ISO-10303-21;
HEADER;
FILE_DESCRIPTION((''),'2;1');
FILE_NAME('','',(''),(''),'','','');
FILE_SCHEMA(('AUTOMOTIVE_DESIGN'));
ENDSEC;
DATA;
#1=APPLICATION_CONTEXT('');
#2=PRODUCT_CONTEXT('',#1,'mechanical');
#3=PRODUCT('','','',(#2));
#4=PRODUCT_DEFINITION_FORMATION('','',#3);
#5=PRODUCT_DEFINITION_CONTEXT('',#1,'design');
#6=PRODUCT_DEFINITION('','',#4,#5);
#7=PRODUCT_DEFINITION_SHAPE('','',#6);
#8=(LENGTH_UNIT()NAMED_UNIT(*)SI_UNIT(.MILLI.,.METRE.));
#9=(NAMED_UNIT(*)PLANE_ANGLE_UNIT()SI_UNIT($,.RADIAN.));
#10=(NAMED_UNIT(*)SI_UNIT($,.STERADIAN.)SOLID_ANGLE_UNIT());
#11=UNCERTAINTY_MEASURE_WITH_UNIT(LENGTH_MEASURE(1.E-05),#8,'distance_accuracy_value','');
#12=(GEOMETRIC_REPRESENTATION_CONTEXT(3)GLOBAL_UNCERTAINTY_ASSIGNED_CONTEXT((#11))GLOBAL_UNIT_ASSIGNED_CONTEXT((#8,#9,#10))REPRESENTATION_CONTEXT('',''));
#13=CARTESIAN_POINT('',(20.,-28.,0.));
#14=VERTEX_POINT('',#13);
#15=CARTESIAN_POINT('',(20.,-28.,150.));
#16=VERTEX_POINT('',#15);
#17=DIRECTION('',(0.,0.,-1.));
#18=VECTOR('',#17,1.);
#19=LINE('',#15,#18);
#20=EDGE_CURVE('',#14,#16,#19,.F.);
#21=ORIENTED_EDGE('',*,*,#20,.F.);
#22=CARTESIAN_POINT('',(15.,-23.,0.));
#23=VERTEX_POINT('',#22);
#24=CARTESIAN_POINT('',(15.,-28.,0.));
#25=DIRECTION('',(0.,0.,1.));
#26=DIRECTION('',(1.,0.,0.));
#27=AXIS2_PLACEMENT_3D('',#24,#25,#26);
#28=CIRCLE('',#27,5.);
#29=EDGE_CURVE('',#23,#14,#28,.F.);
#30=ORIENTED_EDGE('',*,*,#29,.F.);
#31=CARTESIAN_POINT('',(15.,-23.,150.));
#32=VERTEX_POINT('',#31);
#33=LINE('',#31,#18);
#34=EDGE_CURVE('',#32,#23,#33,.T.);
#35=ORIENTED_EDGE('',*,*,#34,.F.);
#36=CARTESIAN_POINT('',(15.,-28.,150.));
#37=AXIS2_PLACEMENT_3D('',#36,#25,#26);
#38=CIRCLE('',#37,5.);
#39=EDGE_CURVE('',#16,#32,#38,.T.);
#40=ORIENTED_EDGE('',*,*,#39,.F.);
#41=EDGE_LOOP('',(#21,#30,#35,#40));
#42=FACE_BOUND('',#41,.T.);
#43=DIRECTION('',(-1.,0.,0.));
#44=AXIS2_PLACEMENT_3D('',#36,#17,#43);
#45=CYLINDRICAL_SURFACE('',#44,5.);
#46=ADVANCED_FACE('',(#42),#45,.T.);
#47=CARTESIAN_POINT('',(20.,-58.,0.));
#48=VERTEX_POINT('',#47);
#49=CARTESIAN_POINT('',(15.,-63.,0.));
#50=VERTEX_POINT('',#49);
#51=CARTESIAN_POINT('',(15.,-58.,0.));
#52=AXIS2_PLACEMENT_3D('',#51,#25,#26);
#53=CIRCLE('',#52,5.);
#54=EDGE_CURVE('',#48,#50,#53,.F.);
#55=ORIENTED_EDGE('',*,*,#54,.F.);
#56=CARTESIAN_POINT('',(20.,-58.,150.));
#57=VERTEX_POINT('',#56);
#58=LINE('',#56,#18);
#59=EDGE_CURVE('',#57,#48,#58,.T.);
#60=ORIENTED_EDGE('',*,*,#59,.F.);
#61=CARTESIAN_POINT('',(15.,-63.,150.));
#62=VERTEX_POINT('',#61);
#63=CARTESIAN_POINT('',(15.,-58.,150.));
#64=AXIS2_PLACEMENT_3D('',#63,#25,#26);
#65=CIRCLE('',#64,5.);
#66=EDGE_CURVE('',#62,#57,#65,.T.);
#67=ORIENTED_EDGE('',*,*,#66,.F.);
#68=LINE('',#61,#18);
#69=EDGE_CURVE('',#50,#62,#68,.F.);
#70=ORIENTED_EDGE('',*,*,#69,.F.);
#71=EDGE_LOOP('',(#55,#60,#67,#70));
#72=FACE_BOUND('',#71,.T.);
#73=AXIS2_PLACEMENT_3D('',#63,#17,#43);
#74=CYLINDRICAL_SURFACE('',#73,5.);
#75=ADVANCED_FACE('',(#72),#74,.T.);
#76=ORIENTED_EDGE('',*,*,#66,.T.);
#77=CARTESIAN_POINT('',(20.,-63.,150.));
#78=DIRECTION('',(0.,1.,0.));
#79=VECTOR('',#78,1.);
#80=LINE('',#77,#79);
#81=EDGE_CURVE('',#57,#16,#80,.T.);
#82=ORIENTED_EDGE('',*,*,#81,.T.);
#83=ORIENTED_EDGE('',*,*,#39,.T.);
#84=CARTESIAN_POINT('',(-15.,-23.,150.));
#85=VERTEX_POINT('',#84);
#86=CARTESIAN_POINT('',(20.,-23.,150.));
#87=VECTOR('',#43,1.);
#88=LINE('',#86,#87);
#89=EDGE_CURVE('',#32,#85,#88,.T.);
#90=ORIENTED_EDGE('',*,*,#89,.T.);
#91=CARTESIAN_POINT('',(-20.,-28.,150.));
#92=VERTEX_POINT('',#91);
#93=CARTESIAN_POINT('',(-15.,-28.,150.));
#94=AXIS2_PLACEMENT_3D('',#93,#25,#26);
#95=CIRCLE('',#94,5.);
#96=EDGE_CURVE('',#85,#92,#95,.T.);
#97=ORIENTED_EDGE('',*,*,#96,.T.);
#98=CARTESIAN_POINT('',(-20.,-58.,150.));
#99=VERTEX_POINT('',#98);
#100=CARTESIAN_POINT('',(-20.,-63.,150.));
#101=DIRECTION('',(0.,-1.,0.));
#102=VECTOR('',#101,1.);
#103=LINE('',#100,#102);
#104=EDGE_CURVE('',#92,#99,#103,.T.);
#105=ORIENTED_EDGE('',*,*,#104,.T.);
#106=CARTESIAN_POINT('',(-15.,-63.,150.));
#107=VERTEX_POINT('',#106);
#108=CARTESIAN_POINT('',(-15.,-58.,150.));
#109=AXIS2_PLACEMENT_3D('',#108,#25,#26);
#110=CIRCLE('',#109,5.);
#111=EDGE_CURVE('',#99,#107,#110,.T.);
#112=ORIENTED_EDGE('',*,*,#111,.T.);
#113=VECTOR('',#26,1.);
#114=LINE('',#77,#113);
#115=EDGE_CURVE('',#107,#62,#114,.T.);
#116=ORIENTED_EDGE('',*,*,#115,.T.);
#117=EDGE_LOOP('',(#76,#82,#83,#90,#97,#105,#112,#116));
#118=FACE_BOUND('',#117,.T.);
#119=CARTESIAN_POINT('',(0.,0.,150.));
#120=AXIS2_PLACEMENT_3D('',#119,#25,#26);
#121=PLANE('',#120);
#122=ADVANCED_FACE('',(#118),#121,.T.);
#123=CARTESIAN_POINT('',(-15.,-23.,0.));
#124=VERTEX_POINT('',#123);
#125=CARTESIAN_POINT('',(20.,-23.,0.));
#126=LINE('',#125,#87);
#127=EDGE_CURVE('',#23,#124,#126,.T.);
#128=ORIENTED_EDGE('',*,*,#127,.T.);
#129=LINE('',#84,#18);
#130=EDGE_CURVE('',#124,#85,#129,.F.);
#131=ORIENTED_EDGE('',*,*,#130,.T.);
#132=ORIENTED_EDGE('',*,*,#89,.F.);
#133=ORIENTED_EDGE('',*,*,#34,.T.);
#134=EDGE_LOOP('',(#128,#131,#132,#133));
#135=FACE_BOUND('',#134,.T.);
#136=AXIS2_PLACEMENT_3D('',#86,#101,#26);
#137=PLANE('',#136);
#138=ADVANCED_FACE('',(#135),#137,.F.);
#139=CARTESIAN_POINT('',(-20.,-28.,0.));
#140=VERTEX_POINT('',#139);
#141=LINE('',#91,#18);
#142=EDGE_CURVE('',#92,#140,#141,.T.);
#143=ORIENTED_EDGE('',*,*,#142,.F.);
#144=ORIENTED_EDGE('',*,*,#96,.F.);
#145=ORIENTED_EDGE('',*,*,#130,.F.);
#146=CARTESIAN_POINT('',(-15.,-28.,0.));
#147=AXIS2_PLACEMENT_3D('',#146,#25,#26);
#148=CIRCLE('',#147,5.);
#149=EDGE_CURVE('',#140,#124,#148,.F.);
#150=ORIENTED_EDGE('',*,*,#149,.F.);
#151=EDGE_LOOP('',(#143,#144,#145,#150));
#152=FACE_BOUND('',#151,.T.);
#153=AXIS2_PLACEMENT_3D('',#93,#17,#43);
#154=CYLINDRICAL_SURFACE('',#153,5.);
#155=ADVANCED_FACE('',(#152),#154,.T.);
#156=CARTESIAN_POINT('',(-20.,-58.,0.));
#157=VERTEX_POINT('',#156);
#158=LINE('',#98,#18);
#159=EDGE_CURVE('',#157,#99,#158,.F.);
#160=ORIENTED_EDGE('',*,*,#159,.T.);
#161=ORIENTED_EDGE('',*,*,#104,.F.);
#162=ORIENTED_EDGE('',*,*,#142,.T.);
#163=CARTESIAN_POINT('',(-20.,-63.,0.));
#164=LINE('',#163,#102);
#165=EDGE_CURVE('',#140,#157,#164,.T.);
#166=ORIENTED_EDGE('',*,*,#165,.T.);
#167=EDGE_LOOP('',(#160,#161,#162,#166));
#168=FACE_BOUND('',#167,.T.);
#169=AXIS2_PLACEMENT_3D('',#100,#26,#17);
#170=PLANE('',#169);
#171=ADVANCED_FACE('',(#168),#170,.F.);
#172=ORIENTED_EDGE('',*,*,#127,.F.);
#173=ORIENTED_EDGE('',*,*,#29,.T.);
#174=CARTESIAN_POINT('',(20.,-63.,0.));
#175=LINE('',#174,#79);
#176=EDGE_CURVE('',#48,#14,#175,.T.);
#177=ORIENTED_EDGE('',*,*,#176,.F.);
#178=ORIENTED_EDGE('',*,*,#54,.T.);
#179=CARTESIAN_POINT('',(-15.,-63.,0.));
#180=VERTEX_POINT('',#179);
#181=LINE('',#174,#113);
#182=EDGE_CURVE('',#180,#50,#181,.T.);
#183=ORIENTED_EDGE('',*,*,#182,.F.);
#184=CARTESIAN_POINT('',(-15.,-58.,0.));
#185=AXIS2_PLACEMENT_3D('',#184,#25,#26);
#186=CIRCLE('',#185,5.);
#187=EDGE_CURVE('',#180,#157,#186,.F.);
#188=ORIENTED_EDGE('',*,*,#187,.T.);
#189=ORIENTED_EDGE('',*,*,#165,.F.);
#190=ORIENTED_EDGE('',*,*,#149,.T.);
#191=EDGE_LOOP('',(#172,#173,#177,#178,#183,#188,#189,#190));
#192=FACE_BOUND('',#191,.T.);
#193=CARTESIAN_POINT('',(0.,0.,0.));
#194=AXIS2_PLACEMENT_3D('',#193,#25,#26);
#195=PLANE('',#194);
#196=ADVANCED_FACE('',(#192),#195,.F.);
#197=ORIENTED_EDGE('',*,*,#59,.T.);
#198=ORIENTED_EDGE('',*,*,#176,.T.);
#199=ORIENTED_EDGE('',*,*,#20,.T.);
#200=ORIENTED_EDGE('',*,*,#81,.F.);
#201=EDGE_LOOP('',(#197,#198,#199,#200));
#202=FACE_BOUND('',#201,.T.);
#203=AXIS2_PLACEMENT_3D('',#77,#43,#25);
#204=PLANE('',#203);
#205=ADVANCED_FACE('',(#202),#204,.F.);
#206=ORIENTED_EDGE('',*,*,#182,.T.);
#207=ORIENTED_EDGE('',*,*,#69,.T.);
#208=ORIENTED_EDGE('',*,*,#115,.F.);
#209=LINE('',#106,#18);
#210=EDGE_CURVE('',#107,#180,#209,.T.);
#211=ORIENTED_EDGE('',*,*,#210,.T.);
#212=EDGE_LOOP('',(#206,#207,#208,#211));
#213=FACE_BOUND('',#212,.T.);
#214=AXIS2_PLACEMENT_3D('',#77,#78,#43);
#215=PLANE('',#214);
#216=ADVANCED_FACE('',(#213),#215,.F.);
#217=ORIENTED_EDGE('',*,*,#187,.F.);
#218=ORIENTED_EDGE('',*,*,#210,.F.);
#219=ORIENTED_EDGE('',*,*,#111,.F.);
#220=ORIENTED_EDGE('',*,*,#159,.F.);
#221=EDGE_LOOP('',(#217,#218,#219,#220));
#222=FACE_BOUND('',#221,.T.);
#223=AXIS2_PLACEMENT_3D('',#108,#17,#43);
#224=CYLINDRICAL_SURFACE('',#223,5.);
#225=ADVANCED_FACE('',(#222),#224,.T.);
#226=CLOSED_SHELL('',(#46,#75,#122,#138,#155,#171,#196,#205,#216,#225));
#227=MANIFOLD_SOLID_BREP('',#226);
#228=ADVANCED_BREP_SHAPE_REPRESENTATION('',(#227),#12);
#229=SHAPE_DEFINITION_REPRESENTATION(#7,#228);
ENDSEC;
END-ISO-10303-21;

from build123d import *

# Parameters (mm, degrees)
SKETCH1_W           = 40
SKETCH1_H           = 40
BOSS_EXTRUDE1_DEPTH = 150
FILLET1_R           = 5


with BuildPart() as part:
    # Sketch1 → Boss-Extrude1 (new body)
    with BuildSketch(Plane.XY):
        with Locations((0, -43)):
            Rectangle(SKETCH1_W, SKETCH1_H)
    extrude(amount=BOSS_EXTRUDE1_DEPTH)

    # Fillet1
    fillet1_edges = [part.edges().sort_by_distance(p)[0] for p in [
        (20, -63, 75),
        (-20, -63, 75),
        (-20, -23, 75),
        (20, -23, 75),
    ]]
    fillet(fillet1_edges, radius=FILLET1_R)


solid = part.part
